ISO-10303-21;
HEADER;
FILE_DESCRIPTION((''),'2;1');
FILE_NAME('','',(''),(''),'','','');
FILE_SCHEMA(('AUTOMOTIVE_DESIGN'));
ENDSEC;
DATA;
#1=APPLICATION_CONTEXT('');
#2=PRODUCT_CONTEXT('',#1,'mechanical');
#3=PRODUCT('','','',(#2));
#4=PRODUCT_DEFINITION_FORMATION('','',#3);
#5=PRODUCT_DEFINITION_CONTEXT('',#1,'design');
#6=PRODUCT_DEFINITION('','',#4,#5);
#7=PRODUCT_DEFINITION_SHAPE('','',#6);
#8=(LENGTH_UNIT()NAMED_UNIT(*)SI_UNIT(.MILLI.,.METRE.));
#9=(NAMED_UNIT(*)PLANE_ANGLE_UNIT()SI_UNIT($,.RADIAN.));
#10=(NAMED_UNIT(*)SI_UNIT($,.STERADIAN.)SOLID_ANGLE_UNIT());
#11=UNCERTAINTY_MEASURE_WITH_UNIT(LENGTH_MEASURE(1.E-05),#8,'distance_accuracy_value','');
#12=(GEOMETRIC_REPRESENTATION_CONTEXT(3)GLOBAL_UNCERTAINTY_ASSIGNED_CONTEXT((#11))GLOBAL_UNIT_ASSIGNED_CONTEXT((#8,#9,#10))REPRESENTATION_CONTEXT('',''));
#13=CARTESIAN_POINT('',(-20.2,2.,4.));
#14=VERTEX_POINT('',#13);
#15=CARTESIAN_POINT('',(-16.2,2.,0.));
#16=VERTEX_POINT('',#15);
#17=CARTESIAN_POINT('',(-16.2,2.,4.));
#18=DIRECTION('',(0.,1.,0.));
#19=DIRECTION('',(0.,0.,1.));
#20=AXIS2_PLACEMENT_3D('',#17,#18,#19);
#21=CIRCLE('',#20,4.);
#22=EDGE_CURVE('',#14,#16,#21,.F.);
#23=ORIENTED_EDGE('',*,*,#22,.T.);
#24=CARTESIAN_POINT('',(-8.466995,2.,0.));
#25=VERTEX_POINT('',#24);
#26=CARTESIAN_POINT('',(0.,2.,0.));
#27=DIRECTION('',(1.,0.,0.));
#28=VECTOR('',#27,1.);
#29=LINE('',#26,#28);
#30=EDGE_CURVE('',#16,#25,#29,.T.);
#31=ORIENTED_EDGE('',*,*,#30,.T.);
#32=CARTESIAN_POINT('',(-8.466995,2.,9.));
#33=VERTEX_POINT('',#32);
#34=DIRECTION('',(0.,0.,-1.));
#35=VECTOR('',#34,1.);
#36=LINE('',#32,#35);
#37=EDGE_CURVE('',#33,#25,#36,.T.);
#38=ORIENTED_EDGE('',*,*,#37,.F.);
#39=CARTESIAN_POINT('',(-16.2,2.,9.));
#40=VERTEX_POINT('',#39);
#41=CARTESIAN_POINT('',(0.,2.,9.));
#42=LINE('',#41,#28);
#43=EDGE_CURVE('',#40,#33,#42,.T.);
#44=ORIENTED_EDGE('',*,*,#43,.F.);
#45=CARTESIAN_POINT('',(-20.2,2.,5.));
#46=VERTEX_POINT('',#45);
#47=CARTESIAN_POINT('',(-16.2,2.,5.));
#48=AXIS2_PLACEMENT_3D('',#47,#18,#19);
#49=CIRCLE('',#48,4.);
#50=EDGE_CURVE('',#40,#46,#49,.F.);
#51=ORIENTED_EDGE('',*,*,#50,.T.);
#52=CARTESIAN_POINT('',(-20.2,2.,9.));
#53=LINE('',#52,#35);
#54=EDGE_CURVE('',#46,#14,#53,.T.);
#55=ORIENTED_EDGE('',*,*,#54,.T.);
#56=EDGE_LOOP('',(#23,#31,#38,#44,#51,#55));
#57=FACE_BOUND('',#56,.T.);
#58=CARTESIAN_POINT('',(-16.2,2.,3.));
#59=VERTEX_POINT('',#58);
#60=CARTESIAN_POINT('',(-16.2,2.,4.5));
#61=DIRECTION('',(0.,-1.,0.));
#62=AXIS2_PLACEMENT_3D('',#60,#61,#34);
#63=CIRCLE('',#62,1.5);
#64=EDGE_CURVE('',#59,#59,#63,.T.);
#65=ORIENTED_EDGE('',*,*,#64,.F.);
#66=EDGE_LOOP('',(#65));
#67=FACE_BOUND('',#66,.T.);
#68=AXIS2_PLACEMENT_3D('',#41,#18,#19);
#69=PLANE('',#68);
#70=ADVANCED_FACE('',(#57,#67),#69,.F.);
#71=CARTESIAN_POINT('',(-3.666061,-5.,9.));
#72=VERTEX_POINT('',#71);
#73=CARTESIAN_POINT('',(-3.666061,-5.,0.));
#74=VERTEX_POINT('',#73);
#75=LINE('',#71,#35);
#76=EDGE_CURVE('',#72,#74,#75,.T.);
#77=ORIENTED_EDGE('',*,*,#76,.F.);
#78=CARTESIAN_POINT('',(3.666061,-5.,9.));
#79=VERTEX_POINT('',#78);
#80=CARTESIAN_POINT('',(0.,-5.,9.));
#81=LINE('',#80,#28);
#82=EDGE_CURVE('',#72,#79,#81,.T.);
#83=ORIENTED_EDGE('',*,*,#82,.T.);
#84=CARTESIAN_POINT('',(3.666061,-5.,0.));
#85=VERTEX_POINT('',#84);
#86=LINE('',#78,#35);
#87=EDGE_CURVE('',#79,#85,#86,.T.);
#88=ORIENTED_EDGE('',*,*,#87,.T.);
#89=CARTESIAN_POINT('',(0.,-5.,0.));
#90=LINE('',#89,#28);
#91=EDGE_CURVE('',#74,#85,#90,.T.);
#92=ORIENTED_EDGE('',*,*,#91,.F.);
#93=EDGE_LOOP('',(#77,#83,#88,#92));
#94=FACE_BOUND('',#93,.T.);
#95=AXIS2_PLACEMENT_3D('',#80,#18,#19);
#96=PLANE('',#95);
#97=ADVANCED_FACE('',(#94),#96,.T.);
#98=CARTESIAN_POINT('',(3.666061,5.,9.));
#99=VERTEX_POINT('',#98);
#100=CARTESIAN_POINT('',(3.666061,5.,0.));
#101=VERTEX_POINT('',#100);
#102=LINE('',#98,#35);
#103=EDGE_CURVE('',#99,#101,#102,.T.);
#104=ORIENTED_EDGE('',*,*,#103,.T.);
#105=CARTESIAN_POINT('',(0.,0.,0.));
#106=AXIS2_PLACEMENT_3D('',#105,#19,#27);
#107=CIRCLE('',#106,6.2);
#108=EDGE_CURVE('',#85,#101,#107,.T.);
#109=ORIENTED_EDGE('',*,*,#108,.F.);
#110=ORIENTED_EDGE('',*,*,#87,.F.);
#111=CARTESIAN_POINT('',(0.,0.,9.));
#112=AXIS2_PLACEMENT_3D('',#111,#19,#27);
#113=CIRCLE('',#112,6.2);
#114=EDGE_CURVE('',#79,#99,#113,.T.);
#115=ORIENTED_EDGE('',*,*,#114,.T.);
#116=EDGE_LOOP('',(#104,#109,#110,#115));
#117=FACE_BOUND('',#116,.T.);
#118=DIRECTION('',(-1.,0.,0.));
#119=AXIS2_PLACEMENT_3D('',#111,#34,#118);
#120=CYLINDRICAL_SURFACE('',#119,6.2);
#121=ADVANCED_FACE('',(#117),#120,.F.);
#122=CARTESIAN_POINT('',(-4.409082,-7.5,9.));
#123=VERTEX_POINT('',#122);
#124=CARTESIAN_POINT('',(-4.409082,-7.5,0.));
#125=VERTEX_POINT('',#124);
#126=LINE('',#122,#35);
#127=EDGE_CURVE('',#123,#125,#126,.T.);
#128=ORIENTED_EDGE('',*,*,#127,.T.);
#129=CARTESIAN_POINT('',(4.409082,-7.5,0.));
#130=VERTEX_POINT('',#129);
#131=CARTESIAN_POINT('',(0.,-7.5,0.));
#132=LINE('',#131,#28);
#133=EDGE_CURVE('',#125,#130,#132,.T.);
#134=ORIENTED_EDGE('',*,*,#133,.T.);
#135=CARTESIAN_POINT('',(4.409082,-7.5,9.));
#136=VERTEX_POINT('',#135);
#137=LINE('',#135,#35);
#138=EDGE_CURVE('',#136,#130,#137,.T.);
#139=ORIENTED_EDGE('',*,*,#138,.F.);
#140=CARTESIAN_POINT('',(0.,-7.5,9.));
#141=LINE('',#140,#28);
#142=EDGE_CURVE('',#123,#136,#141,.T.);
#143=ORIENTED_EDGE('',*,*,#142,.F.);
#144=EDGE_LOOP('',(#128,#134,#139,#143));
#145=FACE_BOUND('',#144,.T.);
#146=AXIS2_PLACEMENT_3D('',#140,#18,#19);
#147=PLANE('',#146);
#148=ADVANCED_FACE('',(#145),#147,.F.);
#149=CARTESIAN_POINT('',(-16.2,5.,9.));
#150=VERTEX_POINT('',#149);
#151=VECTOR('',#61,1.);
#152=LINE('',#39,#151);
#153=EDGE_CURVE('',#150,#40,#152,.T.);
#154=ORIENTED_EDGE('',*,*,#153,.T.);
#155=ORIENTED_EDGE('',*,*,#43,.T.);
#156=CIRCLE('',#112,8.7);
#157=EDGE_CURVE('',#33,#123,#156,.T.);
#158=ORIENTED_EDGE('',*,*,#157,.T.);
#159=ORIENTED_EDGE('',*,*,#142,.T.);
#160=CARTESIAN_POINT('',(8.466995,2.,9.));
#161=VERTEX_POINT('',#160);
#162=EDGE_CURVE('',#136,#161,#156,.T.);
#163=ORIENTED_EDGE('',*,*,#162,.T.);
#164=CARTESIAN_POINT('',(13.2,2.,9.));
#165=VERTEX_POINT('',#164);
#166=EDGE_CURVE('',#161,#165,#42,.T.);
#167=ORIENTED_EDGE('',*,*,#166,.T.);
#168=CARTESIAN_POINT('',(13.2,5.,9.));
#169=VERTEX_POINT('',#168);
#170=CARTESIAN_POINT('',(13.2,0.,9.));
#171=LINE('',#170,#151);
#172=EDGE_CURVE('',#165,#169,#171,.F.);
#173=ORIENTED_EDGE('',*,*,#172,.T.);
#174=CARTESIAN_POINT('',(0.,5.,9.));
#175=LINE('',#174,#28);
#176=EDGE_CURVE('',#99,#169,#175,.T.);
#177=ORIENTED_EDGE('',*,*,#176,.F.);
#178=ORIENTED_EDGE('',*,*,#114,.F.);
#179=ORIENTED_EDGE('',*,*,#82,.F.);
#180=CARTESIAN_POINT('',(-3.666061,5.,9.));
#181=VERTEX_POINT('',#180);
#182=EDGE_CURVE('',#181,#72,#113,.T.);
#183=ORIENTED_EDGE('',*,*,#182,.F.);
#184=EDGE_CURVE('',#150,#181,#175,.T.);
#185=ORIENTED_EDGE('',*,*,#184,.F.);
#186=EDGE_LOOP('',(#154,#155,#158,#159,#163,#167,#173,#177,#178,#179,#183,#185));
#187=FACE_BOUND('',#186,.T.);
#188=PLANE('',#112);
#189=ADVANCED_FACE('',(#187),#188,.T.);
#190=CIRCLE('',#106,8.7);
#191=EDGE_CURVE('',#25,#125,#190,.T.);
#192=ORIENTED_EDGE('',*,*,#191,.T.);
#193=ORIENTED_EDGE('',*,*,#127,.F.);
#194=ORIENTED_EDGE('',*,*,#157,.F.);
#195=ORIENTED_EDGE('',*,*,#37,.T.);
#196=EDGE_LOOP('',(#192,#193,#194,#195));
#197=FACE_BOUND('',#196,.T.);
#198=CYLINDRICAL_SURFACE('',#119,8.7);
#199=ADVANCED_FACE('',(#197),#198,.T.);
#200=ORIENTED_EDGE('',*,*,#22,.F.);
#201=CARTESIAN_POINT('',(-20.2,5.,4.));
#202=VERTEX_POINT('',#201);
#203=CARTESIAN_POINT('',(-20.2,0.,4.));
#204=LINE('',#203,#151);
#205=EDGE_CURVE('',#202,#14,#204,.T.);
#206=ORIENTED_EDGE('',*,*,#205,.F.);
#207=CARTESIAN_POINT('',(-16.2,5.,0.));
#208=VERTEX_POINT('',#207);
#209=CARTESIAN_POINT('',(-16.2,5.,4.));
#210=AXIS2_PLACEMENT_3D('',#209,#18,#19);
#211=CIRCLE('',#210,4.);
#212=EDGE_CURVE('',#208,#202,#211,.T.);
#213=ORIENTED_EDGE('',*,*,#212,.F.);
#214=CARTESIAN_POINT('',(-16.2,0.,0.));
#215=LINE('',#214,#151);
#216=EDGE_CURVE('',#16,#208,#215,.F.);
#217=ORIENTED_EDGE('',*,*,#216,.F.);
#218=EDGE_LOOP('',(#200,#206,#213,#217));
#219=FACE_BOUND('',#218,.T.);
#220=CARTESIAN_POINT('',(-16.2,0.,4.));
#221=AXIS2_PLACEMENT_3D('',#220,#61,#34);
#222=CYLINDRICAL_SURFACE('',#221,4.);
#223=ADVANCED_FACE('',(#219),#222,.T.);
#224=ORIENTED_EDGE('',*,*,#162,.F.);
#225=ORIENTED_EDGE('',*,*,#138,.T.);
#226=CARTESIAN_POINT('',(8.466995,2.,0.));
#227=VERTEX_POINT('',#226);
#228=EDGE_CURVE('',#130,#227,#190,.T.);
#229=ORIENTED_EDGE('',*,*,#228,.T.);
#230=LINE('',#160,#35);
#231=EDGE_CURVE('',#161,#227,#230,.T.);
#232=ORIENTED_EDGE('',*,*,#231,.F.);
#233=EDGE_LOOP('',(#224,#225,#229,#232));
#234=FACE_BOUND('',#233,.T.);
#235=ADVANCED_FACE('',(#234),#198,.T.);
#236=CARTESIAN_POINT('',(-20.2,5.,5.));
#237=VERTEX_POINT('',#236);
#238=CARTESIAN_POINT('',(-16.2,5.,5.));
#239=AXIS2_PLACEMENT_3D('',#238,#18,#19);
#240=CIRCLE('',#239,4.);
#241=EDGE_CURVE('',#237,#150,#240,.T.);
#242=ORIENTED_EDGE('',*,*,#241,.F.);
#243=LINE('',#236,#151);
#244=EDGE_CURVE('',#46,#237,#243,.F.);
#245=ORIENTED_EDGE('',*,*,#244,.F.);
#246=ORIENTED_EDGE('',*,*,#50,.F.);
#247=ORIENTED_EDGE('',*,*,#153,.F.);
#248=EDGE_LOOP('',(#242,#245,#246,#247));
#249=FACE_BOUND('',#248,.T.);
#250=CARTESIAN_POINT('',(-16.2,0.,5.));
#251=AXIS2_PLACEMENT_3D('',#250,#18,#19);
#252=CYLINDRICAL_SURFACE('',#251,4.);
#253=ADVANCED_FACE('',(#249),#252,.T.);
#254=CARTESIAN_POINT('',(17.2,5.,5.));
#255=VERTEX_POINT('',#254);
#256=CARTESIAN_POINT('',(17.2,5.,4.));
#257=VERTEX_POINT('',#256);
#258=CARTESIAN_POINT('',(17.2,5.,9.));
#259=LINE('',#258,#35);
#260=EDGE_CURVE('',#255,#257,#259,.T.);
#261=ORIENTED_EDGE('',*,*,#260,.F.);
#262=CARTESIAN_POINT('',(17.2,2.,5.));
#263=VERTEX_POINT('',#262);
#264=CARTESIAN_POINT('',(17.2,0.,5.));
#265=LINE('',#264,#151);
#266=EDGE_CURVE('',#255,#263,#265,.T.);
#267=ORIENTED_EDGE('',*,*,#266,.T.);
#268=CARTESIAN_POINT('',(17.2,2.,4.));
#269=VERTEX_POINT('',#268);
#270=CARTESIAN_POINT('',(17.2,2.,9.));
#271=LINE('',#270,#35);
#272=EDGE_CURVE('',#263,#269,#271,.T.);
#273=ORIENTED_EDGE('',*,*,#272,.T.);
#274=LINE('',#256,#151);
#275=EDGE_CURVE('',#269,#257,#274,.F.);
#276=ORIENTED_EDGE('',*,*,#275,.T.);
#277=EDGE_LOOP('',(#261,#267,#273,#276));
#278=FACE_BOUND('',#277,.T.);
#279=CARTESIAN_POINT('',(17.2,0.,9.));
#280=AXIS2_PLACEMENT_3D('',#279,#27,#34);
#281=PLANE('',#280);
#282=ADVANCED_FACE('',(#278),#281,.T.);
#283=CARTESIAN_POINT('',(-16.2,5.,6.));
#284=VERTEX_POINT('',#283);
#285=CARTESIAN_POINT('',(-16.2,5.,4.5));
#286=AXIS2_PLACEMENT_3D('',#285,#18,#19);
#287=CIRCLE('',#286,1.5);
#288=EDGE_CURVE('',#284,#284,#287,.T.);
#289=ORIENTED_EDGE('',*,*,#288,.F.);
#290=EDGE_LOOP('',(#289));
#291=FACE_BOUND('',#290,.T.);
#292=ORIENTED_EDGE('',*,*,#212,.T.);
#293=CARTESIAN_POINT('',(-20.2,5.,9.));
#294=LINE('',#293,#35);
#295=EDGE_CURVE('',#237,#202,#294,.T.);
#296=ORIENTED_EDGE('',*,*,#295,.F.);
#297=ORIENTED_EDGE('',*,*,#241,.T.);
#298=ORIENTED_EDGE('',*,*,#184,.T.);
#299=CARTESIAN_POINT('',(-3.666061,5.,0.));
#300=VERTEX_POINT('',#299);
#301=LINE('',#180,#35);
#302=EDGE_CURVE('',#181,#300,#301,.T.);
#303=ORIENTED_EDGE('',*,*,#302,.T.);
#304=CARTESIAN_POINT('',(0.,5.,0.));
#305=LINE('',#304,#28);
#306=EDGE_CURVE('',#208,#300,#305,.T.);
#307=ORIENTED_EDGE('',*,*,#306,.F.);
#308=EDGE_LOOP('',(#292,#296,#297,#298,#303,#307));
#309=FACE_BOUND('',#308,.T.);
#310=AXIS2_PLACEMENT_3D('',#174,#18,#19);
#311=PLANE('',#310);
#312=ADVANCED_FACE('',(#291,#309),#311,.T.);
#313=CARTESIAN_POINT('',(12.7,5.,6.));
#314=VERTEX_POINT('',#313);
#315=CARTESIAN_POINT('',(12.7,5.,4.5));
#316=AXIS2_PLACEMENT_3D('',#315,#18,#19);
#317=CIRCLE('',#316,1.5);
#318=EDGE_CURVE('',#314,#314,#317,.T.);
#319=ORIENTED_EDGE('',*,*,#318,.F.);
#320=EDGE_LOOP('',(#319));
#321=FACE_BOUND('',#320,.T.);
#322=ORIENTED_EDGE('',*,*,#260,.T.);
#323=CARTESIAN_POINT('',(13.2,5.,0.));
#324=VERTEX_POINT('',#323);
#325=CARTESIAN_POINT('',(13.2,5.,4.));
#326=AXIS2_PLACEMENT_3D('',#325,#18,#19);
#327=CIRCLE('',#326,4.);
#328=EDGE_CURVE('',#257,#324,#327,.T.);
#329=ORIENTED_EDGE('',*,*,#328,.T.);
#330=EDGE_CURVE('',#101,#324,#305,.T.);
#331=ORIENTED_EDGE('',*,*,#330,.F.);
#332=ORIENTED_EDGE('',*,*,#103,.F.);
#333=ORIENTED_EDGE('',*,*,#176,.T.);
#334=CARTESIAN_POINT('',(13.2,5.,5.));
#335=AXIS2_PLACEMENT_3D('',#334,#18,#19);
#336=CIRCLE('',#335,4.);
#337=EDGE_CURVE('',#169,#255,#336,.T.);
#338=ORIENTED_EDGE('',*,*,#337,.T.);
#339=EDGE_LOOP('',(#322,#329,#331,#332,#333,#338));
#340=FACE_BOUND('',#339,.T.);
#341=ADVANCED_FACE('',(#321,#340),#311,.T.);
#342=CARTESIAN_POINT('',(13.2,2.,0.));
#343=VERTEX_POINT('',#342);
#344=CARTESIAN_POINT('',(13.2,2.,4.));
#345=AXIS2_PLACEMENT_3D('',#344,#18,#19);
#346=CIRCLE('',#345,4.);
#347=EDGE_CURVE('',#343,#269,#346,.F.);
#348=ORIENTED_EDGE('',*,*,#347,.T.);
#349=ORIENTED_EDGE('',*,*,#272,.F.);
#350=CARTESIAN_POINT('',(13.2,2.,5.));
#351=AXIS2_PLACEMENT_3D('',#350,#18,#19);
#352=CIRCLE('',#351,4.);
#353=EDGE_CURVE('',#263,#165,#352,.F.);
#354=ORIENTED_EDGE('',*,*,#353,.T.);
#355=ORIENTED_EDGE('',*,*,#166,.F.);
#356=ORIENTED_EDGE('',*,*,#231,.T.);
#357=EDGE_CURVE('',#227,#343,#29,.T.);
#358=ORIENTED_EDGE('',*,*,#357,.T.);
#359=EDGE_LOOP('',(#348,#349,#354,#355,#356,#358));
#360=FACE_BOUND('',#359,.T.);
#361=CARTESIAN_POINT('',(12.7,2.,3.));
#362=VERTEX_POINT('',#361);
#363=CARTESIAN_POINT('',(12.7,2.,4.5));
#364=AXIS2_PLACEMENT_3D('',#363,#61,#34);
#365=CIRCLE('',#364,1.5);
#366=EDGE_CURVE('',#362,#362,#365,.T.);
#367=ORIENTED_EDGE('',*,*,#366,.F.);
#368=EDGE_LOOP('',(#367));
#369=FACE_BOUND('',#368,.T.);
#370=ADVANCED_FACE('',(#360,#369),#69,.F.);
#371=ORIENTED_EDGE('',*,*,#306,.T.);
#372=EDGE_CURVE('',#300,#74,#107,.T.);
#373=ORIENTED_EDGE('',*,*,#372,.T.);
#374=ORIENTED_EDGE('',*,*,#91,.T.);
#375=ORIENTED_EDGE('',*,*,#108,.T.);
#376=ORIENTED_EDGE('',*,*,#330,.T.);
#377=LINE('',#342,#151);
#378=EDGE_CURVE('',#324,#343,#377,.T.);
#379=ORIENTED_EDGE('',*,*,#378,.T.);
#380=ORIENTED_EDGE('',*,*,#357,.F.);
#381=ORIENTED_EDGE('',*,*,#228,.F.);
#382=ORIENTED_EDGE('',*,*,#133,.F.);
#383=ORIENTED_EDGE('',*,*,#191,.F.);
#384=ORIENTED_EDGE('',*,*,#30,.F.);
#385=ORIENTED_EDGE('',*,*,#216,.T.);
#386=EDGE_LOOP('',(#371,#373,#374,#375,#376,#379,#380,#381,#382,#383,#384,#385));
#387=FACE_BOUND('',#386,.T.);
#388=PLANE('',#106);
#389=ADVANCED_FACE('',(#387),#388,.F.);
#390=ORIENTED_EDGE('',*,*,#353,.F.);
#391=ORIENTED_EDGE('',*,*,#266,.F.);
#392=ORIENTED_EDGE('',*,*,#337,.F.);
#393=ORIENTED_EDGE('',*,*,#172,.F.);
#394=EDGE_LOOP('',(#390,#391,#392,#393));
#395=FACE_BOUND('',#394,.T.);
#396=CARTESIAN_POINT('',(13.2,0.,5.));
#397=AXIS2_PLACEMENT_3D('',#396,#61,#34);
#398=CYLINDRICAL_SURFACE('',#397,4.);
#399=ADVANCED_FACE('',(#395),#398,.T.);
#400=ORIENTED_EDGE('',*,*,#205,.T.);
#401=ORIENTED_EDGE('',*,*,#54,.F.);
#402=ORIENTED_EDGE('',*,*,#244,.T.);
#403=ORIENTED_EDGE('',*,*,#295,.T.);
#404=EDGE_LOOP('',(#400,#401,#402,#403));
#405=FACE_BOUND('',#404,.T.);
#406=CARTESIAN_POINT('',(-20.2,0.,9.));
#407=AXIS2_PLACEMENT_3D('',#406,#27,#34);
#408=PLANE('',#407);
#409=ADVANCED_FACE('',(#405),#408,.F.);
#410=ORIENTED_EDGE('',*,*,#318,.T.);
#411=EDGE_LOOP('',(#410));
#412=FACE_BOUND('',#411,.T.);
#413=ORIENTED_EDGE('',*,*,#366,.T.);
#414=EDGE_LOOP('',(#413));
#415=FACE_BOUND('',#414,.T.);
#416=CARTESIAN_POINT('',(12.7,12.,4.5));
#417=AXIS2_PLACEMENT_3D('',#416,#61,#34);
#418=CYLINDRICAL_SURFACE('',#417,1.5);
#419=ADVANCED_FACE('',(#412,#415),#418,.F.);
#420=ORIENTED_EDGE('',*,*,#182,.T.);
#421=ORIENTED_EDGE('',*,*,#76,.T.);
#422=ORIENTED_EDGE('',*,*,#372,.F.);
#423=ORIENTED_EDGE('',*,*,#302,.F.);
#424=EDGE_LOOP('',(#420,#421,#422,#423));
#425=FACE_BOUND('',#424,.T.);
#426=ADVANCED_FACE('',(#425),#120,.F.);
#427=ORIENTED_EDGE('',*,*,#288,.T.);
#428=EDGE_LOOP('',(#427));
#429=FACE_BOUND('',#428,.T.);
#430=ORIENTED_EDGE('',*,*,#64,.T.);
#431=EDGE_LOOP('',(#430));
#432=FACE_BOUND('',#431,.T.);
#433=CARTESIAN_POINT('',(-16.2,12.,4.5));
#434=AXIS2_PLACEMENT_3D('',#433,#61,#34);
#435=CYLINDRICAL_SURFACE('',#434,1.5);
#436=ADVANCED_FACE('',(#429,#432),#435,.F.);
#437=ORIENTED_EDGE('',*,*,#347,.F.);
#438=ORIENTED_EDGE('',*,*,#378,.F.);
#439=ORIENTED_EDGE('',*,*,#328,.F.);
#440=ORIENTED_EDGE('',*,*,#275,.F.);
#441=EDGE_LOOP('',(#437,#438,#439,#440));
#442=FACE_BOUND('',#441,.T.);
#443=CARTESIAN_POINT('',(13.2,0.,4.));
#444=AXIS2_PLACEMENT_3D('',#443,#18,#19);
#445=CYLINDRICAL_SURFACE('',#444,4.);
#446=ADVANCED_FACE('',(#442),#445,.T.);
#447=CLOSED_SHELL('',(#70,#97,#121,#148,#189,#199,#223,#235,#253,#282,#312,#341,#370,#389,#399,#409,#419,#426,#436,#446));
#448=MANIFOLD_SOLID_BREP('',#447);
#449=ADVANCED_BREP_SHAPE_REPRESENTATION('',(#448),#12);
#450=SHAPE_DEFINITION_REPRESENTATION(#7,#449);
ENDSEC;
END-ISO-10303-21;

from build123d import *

# Parameters (mm, degrees)
BOSS_EXTRUDE1_DEPTH = 9
SKETCH2_R           = 1.5
CUT_EXTRUDE1_DEPTH  = 10
FILLET1_R           = 4


with BuildPart() as part:
    # Sketch1 → Boss-Extrude1 (new body)
    with BuildSketch(Plane.XY):
        with BuildLine():
            ThreePointArc((3.666060556, 5), (6.2, 0), (3.666060556, -5))
            Line((3.666060556, -5), (-3.666060556, -5))
            ThreePointArc((-3.666060556, -5), (-6.2, 0), (-3.666060556, 5))
            Line((-3.666060556, 5), (-20.2, 5))
            Line((-20.2, 5), (-20.2, 2))
            Line((-20.2, 2), (-8.466994744, 2))
            ThreePointArc((-8.466994744, 2), (-8.000677165, -3.41747932), (-4.409081537, -7.5))
            Line((-4.409081537, -7.5), (4.409081537, -7.5))
            ThreePointArc((4.409081537, -7.5), (8.000677165, -3.41747932), (8.466994744, 2))
            Line((8.466994744, 2), (17.2, 2))
            Line((17.2, 2), (17.2, 5))
            Line((17.2, 5), (3.666060556, 5))
        make_face()
    extrude(amount=BOSS_EXTRUDE1_DEPTH)

    # Sketch2 → Cut-Extrude1 (cut)
    with BuildSketch(Plane.XZ.offset(-2)):
        with Locations(Location((-16.2, 4.5, 0), (0, 0, 270))):
            Circle(SKETCH2_R)
        with Locations(Location((12.7, 4.5, 0), (0, 0, 270))):
            Circle(SKETCH2_R)
    extrude(amount=-CUT_EXTRUDE1_DEPTH, mode=Mode.SUBTRACT)

    # Fillet1
    fillet1_edges = [part.edges().sort_by_distance(p)[0] for p in [
        (-20.2, 3.5, 0),
        (17.2, 3.5, 0),
        (17.2, 3.5, 9),
        (-20.2, 3.5, 9),
    ]]
    fillet(fillet1_edges, radius=FILLET1_R)


solid = part.part
